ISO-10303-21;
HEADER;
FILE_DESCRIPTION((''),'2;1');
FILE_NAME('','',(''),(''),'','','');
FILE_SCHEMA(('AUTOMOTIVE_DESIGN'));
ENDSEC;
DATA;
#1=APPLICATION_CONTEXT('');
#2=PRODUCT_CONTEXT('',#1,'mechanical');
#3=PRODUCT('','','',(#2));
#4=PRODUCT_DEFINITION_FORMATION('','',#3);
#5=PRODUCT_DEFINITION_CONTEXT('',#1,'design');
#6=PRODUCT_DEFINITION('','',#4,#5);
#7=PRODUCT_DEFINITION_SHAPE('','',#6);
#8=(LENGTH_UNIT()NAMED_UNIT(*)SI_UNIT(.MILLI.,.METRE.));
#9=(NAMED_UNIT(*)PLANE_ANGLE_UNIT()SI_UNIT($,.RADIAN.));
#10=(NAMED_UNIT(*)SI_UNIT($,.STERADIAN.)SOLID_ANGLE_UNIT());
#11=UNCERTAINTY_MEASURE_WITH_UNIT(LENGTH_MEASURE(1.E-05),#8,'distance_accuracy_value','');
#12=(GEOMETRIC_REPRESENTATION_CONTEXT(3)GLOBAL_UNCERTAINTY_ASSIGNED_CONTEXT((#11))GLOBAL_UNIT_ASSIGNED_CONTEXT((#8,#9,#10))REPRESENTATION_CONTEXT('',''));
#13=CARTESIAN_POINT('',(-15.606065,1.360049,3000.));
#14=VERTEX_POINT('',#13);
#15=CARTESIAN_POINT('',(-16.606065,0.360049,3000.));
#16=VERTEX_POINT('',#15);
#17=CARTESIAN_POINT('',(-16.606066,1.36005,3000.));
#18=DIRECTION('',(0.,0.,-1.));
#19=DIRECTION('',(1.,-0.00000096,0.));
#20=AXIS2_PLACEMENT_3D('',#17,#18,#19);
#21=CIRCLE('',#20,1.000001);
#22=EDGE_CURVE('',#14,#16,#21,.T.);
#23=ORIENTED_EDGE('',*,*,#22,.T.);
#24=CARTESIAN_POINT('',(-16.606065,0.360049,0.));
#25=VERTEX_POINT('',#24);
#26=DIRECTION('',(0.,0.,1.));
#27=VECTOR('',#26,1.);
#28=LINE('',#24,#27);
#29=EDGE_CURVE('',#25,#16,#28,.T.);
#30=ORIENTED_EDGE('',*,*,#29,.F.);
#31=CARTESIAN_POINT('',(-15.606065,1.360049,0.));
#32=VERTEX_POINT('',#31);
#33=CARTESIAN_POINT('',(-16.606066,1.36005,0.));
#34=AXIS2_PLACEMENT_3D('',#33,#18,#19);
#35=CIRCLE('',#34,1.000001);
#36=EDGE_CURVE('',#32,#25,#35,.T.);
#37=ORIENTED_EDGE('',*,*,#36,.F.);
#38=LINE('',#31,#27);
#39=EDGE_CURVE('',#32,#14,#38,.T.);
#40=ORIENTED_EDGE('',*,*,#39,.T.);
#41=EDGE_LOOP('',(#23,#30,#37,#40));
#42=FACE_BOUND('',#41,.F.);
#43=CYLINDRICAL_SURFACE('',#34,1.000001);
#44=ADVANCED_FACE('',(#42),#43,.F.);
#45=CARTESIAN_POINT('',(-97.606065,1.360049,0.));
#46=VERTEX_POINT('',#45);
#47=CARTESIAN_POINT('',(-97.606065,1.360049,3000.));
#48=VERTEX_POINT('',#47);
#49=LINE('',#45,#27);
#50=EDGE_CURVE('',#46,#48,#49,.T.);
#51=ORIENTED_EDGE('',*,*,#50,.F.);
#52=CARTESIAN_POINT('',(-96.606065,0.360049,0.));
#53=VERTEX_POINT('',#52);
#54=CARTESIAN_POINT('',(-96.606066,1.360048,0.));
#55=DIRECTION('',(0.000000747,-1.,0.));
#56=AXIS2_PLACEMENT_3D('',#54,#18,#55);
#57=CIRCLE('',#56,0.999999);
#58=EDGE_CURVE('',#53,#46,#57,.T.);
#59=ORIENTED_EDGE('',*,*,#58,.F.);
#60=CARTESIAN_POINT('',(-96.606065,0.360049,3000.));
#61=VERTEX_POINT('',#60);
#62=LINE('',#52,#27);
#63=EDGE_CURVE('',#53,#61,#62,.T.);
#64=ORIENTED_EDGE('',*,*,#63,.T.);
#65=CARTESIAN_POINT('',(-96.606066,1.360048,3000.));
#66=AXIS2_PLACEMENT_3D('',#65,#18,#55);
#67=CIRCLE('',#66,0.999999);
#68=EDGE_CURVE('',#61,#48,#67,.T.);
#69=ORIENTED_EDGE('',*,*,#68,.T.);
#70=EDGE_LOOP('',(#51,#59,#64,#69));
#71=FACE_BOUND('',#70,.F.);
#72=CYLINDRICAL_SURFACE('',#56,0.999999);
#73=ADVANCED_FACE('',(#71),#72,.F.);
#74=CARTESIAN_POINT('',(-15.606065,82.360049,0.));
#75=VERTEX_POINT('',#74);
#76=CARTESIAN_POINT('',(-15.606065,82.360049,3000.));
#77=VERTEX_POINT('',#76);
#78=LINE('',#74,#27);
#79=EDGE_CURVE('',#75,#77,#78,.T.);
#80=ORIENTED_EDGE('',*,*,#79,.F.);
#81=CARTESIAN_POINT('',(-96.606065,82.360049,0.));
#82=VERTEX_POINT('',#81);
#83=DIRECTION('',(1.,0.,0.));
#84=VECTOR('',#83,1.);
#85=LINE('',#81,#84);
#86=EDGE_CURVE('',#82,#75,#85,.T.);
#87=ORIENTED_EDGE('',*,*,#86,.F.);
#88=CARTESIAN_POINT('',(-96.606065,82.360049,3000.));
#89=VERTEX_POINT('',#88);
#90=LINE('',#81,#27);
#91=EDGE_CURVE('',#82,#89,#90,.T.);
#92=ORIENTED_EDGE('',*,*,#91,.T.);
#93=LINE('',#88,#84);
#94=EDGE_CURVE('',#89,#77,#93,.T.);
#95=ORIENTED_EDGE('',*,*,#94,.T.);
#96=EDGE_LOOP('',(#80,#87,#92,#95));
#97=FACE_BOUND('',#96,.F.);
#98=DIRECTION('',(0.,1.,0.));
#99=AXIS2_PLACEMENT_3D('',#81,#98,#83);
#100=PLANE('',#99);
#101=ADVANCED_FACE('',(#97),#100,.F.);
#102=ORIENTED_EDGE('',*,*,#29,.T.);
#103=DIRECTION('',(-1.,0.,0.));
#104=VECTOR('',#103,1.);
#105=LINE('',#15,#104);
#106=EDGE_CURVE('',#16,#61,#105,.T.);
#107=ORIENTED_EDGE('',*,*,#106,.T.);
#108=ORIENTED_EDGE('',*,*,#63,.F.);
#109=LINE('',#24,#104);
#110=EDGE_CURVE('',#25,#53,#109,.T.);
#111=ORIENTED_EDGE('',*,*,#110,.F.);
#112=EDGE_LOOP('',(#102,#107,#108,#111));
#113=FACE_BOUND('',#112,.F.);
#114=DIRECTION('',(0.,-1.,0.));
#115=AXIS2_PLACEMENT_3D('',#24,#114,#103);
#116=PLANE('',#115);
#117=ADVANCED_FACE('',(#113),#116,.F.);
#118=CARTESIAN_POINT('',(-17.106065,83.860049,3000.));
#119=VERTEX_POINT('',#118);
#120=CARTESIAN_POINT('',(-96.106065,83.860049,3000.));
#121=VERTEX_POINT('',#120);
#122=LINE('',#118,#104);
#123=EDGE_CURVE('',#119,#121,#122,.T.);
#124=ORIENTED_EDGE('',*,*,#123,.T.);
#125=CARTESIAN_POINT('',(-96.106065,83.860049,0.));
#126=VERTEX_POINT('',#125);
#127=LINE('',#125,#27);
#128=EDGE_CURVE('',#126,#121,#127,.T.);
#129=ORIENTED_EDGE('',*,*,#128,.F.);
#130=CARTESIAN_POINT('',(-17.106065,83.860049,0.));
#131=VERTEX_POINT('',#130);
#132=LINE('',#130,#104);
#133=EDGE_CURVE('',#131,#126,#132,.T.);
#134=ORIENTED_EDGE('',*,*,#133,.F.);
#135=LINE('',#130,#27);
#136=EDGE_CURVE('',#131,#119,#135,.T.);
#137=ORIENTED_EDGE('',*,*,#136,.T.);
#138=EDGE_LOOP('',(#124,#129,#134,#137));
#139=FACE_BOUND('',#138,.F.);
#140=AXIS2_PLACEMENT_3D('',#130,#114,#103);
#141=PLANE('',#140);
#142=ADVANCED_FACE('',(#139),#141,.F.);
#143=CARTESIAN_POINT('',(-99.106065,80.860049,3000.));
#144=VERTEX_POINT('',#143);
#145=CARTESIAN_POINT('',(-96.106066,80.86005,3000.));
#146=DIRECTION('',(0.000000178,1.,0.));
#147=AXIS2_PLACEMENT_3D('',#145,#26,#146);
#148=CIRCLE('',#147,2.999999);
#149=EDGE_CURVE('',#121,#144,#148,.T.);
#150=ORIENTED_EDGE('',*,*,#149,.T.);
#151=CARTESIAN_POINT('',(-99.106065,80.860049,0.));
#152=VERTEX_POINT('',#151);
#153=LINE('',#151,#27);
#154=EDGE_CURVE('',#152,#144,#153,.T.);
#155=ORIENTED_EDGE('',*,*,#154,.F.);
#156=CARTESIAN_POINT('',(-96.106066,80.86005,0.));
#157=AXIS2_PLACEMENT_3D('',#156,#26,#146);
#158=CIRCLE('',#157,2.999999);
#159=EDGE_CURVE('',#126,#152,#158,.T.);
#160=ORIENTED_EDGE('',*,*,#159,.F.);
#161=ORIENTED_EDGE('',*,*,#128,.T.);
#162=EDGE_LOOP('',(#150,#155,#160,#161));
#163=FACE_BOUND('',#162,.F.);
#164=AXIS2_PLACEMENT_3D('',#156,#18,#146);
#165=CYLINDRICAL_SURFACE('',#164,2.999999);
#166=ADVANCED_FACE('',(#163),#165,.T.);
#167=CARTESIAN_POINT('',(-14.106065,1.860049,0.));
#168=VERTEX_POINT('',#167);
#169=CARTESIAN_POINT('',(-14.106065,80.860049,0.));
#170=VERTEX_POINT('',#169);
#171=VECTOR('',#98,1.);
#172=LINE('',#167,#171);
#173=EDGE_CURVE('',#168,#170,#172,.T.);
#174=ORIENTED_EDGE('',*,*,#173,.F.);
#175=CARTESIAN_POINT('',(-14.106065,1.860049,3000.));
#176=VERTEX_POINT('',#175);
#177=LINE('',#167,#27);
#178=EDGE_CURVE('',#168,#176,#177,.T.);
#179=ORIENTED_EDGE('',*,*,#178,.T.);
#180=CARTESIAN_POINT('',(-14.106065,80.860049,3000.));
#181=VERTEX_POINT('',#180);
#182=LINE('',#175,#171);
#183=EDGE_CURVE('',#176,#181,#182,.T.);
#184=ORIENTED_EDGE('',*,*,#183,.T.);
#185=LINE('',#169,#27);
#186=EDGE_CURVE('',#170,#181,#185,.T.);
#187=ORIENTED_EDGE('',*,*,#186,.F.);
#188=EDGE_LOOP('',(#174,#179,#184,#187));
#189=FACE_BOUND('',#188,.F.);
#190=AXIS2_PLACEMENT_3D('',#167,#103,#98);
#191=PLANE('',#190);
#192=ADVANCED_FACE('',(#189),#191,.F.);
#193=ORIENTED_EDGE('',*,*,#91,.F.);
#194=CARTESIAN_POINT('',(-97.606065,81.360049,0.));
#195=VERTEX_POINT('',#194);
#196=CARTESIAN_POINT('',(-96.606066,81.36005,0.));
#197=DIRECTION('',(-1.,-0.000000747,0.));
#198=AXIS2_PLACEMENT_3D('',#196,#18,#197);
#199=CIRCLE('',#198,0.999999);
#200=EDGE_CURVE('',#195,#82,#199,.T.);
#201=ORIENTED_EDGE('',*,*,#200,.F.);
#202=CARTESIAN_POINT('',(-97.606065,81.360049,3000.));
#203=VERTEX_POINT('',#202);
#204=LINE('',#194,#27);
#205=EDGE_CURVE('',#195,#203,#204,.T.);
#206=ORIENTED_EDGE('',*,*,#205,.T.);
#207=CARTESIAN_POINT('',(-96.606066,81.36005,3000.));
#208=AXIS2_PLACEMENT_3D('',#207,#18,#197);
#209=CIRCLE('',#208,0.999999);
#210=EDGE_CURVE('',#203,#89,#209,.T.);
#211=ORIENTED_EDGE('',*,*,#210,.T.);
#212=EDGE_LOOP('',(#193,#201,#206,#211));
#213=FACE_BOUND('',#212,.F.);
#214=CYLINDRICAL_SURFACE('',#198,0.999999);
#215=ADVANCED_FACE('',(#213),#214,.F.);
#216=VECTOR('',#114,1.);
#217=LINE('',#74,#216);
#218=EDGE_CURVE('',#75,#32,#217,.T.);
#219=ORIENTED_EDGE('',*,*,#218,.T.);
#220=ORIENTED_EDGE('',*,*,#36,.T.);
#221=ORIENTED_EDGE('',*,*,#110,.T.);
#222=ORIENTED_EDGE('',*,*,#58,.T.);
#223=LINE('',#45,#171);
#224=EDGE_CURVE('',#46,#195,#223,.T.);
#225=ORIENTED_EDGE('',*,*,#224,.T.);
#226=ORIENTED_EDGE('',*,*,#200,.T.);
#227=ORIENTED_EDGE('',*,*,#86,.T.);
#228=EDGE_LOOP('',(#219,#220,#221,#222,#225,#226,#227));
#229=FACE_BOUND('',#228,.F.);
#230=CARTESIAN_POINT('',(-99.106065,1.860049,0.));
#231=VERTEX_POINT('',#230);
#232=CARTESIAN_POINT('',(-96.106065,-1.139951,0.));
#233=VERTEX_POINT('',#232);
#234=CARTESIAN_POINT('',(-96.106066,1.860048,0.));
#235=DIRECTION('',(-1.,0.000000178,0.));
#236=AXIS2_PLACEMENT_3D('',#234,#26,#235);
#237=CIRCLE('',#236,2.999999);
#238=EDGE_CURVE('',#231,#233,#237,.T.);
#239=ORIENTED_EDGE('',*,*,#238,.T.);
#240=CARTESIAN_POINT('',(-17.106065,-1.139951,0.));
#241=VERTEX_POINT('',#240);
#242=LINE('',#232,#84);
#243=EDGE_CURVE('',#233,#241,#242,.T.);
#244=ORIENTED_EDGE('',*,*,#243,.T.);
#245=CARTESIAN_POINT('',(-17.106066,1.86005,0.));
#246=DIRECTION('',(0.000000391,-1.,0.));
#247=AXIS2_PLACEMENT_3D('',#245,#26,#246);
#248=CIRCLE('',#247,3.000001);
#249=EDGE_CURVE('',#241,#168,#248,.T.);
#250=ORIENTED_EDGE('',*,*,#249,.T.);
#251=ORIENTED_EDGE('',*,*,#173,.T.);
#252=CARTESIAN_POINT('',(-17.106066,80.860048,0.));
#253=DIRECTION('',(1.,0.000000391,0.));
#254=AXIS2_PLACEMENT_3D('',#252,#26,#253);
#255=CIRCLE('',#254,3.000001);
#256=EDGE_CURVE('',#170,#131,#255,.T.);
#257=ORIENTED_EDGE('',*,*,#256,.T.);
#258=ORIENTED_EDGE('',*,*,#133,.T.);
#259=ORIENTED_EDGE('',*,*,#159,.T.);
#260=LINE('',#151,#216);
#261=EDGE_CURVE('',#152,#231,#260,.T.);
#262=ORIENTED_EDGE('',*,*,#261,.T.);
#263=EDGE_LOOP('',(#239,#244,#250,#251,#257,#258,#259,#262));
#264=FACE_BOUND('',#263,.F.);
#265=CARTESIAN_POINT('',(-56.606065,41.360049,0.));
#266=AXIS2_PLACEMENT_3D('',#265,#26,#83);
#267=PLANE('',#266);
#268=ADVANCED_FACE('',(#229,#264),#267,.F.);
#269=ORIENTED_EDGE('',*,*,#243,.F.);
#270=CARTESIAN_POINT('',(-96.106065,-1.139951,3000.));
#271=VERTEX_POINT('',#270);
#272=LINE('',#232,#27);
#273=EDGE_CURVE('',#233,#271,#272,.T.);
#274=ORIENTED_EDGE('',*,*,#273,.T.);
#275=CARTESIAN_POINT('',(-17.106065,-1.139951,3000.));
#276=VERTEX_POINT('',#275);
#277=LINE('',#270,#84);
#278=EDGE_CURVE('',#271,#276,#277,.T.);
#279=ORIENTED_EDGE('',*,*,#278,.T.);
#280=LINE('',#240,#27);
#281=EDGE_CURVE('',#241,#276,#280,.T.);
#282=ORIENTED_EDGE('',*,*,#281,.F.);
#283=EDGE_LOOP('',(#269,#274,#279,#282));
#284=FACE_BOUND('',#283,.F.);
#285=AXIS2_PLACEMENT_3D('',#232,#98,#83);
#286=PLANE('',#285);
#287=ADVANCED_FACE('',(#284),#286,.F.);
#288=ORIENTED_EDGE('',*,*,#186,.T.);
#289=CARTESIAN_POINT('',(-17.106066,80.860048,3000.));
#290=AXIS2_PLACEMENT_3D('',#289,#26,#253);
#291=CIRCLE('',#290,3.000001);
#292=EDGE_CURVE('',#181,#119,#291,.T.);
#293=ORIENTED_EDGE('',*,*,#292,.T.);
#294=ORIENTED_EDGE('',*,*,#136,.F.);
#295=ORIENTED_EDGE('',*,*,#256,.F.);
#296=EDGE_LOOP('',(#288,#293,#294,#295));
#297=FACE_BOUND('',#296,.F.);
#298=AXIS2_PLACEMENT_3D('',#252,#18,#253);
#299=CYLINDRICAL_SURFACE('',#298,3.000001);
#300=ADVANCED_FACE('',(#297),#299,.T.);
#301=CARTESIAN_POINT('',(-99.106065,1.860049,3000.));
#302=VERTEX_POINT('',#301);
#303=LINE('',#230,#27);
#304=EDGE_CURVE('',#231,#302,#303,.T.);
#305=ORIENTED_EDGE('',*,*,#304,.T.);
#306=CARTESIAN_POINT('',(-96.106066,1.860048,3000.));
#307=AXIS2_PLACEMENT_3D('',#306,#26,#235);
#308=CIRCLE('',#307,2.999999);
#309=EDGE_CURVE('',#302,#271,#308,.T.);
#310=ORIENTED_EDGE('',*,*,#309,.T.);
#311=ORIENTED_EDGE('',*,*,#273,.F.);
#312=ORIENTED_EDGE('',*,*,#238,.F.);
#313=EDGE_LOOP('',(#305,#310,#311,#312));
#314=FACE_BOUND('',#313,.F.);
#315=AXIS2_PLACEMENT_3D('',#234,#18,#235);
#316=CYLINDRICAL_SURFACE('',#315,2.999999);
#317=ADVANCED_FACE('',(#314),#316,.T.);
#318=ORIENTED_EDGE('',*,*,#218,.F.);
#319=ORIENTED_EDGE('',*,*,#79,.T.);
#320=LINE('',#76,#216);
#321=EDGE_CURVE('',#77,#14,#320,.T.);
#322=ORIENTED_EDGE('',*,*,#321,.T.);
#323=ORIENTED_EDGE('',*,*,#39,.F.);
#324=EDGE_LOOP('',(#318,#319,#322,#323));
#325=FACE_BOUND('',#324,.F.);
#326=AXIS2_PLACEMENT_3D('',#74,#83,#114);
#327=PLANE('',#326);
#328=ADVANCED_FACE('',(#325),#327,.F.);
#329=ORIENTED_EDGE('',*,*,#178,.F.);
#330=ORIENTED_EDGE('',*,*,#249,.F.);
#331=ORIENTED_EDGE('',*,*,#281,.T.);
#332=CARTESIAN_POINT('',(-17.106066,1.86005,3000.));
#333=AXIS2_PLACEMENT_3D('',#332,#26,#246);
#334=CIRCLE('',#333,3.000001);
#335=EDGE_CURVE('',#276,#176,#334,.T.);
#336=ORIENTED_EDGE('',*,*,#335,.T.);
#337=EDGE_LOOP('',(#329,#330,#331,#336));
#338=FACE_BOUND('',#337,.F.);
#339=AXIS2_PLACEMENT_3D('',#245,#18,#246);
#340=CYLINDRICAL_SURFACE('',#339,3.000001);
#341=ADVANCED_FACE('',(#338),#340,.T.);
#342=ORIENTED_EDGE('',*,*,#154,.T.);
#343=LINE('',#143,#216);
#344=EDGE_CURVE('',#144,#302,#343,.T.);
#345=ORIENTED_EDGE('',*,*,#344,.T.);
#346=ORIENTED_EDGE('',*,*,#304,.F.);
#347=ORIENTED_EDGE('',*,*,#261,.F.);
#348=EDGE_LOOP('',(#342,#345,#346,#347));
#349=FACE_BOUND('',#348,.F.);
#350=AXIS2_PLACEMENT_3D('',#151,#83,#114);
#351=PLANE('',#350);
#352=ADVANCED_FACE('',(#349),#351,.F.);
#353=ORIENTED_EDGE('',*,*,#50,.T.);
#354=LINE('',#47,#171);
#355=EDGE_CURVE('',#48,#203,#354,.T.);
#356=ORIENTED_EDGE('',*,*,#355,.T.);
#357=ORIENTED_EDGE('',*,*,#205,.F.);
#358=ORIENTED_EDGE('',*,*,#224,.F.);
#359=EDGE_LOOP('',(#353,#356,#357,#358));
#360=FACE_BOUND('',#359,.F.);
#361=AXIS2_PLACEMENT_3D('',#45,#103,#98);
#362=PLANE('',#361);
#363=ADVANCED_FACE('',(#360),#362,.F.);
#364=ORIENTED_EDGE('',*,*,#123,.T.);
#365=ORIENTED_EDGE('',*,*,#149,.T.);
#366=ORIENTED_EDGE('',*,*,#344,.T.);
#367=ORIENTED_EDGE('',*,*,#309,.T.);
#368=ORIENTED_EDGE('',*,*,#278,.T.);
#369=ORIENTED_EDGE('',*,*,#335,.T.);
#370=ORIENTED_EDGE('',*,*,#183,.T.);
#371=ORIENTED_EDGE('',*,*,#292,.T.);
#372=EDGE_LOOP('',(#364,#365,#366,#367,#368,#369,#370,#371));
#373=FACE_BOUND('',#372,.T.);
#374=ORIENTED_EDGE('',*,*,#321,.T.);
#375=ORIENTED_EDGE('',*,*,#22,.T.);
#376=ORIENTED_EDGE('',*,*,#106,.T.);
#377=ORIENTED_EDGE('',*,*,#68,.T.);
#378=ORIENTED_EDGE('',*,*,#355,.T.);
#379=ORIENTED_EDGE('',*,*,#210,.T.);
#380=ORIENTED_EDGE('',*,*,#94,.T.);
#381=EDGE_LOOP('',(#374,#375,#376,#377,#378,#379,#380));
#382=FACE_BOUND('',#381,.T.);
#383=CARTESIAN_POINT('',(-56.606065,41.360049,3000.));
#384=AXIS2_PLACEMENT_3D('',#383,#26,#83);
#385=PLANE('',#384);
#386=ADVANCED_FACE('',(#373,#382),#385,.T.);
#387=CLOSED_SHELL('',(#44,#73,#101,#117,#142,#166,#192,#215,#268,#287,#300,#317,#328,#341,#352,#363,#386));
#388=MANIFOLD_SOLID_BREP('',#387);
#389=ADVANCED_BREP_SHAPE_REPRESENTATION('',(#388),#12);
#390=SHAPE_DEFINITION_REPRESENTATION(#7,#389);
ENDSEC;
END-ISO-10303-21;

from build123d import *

# Parameters (mm, degrees)
F1_DEPTH = 3000


with BuildPart() as f1:
    # F0 (on Top) → F1 (new body)
    with BuildSketch(Plane.XY):
        with BuildLine():
            Line((-17.106065, 83.860049), (-96.106065, 83.860049))
            ThreePointArc((-96.106065, 83.860049), (-98.227386, 82.981369), (-99.106065, 80.860049))
            Line((-99.106065, 80.860049), (-99.106065, 1.860049))
            ThreePointArc((-99.106065, 1.860049), (-98.227386, -0.261271), (-96.106065, -1.139951))
            Line((-96.106065, -1.139951), (-17.106065, -1.139951))
            ThreePointArc((-17.106065, -1.139951), (-14.984745, -0.261271), (-14.106065, 1.860049))
            Line((-14.106065, 1.860049), (-14.106065, 80.860049))
            ThreePointArc((-14.106065, 80.860049), (-14.984745, 82.981369), (-17.106065, 83.860049))
        make_face()
        with BuildLine():
            Line((-16.606065, 0.360049), (-96.606065, 0.360049))
            ThreePointArc((-96.606065, 0.360049), (-97.313172, 0.652942), (-97.606065, 1.360049))
            Line((-97.606065, 1.360049), (-97.606065, 81.360049))
            ThreePointArc((-97.606065, 81.360049), (-97.313172, 82.067156), (-96.606065, 82.360049))
            Line((-96.606065, 82.360049), (-15.606065, 82.360049))
            Line((-15.606065, 82.360049), (-15.606065, 1.360049))
            ThreePointArc((-15.606065, 1.360049), (-15.898959, 0.652942), (-16.606065, 0.360049))
        make_face(mode=Mode.SUBTRACT)
    extrude(amount=F1_DEPTH)


solid = f1.part
